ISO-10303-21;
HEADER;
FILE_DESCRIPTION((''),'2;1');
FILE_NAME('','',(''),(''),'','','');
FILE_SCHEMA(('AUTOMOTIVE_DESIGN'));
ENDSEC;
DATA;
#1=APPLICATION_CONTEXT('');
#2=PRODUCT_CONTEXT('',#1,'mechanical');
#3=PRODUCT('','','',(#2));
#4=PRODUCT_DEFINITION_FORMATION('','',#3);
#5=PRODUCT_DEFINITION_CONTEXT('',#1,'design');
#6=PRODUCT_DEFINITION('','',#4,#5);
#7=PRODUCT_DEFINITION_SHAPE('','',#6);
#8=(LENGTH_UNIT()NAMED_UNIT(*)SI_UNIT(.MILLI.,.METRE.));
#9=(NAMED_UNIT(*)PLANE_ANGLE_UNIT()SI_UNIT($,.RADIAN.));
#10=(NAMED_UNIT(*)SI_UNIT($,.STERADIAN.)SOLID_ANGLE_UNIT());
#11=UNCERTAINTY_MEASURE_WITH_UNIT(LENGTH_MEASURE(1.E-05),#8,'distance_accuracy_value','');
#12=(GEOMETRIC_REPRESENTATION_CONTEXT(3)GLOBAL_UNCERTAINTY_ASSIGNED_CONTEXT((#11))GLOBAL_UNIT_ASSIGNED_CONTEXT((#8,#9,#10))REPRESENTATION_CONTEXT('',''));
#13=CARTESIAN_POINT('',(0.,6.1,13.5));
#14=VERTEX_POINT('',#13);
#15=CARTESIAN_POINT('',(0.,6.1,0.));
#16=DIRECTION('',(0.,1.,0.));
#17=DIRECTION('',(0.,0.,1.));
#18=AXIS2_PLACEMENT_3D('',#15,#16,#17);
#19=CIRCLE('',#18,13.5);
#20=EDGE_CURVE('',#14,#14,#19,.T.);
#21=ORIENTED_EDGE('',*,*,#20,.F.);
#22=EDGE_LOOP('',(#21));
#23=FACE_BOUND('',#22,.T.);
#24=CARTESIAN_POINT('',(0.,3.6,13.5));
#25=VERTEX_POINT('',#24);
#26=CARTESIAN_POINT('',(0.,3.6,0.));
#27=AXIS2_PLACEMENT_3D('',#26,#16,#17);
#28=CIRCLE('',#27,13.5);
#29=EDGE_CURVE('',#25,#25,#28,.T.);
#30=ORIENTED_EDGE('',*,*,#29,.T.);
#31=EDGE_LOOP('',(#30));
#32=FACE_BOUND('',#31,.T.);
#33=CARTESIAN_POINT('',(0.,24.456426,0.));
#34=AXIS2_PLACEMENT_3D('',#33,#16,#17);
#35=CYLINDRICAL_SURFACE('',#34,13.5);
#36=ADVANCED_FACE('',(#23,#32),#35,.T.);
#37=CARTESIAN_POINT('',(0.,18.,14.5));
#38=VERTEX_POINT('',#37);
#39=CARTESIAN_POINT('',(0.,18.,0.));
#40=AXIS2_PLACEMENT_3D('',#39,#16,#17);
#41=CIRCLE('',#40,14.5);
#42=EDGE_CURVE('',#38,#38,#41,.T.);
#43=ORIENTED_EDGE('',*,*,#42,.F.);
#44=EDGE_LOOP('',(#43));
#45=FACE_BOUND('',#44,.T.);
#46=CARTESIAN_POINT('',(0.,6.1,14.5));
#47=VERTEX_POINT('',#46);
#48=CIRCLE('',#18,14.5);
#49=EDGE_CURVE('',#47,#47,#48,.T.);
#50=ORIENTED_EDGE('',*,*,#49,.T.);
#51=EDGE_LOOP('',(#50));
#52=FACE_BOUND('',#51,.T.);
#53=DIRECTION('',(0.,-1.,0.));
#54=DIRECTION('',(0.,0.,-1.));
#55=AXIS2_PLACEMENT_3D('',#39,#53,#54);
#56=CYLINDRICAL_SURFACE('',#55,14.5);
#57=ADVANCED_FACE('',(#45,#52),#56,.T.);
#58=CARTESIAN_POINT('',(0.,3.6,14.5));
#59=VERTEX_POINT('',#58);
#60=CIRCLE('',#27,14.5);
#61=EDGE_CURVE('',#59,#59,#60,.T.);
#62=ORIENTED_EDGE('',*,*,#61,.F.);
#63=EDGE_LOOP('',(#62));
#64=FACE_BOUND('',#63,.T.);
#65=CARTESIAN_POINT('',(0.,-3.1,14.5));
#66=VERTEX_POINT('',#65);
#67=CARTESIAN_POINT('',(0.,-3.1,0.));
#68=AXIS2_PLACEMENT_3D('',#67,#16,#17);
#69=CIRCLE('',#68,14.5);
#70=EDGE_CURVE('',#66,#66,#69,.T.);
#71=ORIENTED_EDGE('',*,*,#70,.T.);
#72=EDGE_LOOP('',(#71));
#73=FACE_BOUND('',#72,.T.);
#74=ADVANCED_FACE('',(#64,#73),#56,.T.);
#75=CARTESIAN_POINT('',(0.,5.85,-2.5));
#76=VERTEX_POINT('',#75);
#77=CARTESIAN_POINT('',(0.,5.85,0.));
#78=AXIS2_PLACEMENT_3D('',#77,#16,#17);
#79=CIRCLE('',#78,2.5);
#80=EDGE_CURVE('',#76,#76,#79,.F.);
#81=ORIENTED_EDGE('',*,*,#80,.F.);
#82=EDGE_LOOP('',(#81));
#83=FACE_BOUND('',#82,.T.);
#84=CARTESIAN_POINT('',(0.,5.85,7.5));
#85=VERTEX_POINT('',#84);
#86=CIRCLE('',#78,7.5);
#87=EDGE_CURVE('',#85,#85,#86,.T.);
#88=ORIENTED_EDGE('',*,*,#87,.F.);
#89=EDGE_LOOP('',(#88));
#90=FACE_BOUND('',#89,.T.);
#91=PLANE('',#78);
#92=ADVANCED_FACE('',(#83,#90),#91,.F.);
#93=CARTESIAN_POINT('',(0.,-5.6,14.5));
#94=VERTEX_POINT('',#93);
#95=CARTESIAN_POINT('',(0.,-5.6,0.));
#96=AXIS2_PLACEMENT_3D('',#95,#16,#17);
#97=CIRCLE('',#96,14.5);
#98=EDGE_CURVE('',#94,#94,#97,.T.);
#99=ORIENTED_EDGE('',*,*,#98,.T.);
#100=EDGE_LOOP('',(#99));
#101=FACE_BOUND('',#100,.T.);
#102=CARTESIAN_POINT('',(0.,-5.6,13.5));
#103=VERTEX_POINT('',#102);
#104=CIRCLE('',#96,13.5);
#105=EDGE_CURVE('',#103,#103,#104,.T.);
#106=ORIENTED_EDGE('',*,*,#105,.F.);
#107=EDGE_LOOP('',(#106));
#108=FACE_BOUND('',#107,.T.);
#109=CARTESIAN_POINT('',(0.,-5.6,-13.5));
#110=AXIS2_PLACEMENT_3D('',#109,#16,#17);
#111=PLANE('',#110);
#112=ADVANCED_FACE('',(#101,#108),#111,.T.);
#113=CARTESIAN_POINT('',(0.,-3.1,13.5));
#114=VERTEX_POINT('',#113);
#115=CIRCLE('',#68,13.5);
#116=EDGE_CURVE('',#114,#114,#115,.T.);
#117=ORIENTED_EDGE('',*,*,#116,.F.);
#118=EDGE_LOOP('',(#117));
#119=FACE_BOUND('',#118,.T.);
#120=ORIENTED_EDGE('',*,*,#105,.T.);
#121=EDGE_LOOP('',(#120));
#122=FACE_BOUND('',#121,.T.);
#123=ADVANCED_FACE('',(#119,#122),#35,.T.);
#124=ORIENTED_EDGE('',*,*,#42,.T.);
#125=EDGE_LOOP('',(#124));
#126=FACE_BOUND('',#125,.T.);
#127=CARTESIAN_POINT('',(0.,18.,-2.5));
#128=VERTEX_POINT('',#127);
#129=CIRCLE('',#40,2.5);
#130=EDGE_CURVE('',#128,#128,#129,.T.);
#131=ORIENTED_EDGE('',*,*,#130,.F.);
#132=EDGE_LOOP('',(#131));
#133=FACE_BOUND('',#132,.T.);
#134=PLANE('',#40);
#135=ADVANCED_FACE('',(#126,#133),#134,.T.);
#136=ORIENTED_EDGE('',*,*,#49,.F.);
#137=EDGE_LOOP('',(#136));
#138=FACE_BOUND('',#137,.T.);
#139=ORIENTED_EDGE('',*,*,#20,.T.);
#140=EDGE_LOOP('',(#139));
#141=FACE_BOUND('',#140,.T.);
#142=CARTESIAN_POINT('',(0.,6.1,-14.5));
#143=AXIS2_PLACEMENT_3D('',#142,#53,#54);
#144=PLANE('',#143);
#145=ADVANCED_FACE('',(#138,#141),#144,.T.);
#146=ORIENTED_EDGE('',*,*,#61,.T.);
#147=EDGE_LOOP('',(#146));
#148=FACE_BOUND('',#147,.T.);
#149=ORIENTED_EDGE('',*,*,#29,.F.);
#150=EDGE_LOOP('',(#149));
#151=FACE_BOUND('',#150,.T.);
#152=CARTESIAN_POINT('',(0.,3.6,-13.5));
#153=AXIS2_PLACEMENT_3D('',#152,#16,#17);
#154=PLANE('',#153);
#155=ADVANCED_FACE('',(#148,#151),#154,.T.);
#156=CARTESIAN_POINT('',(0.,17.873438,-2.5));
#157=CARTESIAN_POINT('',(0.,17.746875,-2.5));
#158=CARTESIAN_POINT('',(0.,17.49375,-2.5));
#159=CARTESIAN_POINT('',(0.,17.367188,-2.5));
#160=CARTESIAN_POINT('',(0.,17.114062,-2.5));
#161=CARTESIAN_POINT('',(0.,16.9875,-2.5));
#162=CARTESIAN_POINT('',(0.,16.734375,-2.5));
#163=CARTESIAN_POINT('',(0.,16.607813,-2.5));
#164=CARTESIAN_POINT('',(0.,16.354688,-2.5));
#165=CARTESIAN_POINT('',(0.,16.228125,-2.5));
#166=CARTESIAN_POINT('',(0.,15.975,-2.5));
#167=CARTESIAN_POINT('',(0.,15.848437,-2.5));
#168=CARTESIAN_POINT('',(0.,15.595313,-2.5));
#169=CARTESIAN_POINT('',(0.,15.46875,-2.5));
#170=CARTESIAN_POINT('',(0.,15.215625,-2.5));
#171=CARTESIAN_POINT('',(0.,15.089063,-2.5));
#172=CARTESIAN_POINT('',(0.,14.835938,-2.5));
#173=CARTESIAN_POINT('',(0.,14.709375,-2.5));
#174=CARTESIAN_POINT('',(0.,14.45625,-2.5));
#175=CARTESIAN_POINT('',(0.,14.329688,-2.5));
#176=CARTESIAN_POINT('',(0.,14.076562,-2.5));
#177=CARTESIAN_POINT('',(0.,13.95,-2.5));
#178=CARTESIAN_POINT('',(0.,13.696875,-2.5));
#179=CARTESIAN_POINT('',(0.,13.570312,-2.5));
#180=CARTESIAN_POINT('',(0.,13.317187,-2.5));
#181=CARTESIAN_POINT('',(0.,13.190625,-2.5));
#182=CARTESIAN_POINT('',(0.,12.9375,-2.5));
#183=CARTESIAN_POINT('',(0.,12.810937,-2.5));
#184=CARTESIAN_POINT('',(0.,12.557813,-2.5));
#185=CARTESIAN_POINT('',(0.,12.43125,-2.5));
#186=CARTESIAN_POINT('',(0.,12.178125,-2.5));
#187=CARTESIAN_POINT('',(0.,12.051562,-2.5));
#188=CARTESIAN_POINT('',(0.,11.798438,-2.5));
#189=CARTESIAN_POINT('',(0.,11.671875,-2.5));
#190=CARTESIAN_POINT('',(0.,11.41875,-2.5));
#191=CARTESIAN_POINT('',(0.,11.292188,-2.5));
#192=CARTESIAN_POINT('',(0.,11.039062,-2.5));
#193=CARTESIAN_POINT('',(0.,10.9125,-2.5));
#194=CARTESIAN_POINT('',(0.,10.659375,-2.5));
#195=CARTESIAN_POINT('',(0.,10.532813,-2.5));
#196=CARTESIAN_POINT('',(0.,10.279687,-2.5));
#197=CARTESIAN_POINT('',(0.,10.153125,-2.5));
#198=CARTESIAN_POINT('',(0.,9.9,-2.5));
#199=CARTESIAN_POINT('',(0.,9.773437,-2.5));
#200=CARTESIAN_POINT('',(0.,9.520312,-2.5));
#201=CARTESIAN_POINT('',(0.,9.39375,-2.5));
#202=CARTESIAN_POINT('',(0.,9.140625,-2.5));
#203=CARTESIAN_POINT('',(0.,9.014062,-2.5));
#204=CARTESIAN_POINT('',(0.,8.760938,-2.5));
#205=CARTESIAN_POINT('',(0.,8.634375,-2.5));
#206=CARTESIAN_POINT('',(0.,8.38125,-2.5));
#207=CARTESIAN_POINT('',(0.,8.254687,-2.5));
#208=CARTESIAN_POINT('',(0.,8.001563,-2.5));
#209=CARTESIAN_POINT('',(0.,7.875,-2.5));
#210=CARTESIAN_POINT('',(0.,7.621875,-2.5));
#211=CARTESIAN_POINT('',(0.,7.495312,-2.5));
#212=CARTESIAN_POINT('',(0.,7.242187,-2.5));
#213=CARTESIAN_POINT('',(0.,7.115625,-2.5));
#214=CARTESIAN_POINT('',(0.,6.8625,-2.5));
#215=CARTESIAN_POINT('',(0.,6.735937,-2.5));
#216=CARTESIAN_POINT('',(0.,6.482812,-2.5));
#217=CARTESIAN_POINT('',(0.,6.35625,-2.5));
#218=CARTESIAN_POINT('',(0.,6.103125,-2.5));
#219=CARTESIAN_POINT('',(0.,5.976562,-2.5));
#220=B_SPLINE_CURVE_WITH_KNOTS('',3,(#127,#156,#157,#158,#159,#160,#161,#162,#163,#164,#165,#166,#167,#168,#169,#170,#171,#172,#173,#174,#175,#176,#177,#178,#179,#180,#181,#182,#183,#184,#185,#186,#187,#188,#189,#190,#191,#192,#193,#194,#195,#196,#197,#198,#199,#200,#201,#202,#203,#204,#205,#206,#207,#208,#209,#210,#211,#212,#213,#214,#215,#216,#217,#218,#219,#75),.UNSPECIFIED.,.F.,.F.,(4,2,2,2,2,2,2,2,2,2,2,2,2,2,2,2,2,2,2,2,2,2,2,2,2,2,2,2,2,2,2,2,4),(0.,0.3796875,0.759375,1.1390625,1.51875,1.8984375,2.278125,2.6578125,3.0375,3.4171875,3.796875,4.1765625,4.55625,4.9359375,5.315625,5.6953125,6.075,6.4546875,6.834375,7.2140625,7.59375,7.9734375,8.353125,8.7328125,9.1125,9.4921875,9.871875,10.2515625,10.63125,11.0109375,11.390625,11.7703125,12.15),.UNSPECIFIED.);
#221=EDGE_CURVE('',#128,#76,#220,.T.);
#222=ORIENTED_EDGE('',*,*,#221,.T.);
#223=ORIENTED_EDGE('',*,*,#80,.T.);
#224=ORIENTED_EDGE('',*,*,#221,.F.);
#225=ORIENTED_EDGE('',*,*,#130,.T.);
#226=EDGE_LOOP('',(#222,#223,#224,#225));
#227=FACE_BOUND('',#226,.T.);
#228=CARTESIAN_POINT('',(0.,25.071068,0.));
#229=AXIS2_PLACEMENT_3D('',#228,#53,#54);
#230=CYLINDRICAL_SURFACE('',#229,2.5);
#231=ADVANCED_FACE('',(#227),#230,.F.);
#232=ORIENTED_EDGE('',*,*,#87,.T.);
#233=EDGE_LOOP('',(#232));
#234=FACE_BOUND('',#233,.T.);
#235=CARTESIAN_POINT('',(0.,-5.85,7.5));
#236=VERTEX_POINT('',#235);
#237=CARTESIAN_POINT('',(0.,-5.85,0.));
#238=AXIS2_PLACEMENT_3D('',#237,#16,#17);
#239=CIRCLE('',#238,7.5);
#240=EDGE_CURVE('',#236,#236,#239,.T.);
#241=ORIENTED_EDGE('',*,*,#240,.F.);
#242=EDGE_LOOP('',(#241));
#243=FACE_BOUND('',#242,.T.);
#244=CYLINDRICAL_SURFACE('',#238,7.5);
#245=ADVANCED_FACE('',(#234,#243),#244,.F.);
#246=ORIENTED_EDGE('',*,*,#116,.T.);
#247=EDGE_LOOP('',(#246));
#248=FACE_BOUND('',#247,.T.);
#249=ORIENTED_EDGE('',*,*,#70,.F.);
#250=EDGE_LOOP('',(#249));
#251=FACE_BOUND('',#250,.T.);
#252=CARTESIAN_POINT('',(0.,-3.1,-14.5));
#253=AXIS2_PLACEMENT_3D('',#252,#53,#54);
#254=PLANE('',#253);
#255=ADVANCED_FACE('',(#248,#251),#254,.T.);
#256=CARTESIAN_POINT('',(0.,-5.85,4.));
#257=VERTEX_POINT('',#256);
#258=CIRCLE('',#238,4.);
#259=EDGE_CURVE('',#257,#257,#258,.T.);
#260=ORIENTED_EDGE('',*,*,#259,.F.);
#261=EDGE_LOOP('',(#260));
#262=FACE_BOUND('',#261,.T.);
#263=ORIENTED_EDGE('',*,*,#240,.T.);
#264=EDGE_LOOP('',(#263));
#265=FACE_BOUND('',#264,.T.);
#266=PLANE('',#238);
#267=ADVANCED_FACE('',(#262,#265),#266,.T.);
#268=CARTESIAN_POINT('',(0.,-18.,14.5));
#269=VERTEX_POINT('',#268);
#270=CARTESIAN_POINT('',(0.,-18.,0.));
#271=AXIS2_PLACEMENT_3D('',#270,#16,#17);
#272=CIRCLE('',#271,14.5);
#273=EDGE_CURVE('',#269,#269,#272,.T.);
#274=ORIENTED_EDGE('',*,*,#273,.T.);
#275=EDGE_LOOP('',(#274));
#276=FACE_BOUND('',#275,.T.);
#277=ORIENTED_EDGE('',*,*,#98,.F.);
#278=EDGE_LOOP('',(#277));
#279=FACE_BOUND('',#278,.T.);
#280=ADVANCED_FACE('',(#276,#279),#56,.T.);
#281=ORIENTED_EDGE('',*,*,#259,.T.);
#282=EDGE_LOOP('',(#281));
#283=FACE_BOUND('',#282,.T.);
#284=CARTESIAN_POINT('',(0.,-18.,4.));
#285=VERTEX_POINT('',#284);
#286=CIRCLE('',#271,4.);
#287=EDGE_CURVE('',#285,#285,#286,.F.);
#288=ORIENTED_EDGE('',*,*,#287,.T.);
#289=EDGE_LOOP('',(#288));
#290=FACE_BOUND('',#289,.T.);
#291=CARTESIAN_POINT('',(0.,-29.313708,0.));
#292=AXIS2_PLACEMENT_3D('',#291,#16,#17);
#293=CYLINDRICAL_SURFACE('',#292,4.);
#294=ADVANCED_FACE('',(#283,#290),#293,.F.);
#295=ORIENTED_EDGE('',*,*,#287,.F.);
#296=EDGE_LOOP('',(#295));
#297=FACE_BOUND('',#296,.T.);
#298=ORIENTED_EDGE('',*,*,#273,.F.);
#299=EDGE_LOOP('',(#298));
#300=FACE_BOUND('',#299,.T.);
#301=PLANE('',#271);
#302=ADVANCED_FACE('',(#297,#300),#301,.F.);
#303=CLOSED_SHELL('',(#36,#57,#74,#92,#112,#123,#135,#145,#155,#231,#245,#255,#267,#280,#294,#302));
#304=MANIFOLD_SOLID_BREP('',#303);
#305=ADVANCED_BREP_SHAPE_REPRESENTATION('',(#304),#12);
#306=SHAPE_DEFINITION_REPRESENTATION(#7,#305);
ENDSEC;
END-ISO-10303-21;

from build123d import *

# Parameters (mm, degrees)
SKETCH_1_R          = 14.5
EXTRUDE_1_DEPTH     = 18
SKETCH_2_W          = 1
SKETCH_2_H          = 2.5
SKETCH_3_R          = 7.5
CUT_EXTRUDE_1_DEPTH = 5.85
SKETCH_4_R          = 2.5
CUT_EXTRUDE_2_DEPTH = 18
SKETCH_5_R          = 4
CUT_EXTRUDE_3_DEPTH = 18


with BuildPart() as part:
    # 草图1 → 凸台-拉伸1 (new, symmetric)
    with BuildSketch(Plane(origin=(0, 0, 0), x_dir=(1, 0, 0), z_dir=(0, 1, 0))):
        with Locations(Location((0, 0, 0), (0, 0, 270))):
            Circle(SKETCH_1_R)
    extrude(amount=EXTRUDE_1_DEPTH, both=True)

    # 草图2 → 切除-旋转1 (revolve, cut)
    with BuildSketch(Plane(origin=(0, 0, 0), x_dir=(0, 0, -1), z_dir=(1, 0, 0)), mode=Mode.PRIVATE) as cut_revolve_1_sk:
        with Locations((14, -4.35)):
            Rectangle(SKETCH_2_W, SKETCH_2_H)
        with Locations((14, 4.85)):
            Rectangle(SKETCH_2_W, SKETCH_2_H)
    revolve(cut_revolve_1_sk.sketch.rotate(Axis((0, 24.456426369, 0), (0, -1, 0)), 180), axis=Axis((0, 24.456426369, 0), (0, -1, 0)), mode=Mode.SUBTRACT)

    # 草图3 → 切除-拉伸1 (cut, symmetric)
    with BuildSketch(Plane(origin=(0, 0, 0), x_dir=(1, 0, 0), z_dir=(0, 1, 0))):
        with Locations(Location((0, 0, 0), (0, 0, 270))):
            Circle(SKETCH_3_R)
    extrude(amount=CUT_EXTRUDE_1_DEPTH, both=True, mode=Mode.SUBTRACT)

    # 草图4 → 切除-拉伸2 (cut)
    with BuildSketch(Plane(origin=(0, 0, 0), x_dir=(1, 0, 0), z_dir=(0, 1, 0))):
        with Locations(Location((0, 0, 0), (0, 0, 90))):
            Circle(SKETCH_4_R)
    extrude(amount=CUT_EXTRUDE_2_DEPTH, mode=Mode.SUBTRACT)

    # 草图5 → 切除-拉伸3 (cut)
    with BuildSketch(Plane(origin=(0, 0, 0), x_dir=(1, 0, 0), z_dir=(0, 1, 0))):
        with Locations(Location((0, 0, 0), (0, 0, 270))):
            Circle(SKETCH_5_R)
    extrude(amount=-CUT_EXTRUDE_3_DEPTH, mode=Mode.SUBTRACT)


solid = part.part
